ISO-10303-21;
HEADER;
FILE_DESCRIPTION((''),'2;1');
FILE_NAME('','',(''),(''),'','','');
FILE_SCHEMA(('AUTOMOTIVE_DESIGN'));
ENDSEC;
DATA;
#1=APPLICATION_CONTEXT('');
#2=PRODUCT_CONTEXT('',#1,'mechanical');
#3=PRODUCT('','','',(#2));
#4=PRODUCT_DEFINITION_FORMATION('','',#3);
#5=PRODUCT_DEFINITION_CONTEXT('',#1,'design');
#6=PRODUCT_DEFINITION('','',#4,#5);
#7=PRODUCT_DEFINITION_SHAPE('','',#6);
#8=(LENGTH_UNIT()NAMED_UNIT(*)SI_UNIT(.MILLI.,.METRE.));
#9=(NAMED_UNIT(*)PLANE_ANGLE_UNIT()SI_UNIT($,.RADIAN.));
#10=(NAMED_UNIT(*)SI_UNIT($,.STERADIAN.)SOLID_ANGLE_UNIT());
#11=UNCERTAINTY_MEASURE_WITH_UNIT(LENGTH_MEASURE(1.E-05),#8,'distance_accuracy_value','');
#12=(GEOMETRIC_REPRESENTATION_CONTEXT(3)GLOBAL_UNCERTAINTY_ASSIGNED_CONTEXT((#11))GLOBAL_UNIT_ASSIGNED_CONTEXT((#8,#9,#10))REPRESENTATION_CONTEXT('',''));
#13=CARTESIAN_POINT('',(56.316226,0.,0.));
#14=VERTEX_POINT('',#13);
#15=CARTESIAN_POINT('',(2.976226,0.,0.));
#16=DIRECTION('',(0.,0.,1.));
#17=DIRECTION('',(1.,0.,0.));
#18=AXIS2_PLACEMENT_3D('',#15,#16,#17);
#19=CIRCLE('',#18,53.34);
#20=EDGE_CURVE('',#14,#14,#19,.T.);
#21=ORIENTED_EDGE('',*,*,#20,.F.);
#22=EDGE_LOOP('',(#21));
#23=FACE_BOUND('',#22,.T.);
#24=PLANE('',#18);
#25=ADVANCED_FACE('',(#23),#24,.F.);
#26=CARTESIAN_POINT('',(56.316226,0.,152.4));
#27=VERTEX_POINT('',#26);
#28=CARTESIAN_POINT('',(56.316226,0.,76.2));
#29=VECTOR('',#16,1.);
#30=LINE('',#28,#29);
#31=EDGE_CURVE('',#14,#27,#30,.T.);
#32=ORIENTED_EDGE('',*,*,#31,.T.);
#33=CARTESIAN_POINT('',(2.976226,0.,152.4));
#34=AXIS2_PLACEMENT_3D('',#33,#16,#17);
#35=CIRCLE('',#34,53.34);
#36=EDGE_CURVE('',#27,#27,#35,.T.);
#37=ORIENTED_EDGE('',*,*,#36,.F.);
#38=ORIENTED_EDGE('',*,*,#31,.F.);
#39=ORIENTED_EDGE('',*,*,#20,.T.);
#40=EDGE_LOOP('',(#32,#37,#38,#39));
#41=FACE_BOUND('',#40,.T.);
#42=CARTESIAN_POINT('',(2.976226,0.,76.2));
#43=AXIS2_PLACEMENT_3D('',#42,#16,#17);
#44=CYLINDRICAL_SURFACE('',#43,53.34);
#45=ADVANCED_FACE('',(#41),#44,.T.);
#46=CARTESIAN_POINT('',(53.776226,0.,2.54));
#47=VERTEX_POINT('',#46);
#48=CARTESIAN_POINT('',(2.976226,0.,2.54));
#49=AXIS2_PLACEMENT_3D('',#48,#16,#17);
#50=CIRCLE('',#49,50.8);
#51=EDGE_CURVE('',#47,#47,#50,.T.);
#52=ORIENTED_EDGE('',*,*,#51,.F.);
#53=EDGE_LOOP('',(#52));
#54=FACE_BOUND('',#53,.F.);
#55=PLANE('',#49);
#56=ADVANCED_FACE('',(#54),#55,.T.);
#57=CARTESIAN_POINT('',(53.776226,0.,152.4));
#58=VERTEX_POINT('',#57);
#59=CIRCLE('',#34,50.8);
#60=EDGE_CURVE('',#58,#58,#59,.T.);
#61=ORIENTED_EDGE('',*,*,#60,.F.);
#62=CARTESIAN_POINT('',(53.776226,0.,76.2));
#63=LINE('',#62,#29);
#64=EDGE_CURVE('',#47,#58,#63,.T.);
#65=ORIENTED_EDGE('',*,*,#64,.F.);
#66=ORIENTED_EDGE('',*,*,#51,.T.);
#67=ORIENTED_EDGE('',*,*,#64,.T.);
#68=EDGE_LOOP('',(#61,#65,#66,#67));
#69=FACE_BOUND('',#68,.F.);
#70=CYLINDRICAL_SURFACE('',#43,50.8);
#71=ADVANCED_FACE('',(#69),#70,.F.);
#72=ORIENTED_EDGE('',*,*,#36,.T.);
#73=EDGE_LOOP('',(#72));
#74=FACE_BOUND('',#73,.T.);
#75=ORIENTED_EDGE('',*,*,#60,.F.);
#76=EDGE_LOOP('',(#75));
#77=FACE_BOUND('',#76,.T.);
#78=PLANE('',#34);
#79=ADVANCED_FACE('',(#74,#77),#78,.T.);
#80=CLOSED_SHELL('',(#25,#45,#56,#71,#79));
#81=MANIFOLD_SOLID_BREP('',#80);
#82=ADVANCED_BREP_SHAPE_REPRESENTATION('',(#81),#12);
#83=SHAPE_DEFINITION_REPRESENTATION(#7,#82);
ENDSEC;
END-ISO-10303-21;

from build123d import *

# Parameters (mm, degrees)
F0_W   = 50.8
F0_H   = 152.4
F0_W_2 = 2.54
F2_T   = -2.54


with BuildPart() as f1:
    # F0 (on Front) → F1 (revolve)
    with BuildSketch(Plane.XZ):
        with Locations((28.376226, 76.2)):
            Rectangle(F0_W, F0_H)
        with Locations((55.046226, 76.2)):
            Rectangle(F0_W_2, F0_H)
    revolve(axis=Axis((2.976226, 0, 76.2), (0, 0, 1)))

    # F2
    f2_openings = [f1.faces().sort_by_distance(p)[0] for p in [
        (2.976226, 0, 152.4),
    ]]
    offset(amount=F2_T, openings=f2_openings)


solid = f1.part
